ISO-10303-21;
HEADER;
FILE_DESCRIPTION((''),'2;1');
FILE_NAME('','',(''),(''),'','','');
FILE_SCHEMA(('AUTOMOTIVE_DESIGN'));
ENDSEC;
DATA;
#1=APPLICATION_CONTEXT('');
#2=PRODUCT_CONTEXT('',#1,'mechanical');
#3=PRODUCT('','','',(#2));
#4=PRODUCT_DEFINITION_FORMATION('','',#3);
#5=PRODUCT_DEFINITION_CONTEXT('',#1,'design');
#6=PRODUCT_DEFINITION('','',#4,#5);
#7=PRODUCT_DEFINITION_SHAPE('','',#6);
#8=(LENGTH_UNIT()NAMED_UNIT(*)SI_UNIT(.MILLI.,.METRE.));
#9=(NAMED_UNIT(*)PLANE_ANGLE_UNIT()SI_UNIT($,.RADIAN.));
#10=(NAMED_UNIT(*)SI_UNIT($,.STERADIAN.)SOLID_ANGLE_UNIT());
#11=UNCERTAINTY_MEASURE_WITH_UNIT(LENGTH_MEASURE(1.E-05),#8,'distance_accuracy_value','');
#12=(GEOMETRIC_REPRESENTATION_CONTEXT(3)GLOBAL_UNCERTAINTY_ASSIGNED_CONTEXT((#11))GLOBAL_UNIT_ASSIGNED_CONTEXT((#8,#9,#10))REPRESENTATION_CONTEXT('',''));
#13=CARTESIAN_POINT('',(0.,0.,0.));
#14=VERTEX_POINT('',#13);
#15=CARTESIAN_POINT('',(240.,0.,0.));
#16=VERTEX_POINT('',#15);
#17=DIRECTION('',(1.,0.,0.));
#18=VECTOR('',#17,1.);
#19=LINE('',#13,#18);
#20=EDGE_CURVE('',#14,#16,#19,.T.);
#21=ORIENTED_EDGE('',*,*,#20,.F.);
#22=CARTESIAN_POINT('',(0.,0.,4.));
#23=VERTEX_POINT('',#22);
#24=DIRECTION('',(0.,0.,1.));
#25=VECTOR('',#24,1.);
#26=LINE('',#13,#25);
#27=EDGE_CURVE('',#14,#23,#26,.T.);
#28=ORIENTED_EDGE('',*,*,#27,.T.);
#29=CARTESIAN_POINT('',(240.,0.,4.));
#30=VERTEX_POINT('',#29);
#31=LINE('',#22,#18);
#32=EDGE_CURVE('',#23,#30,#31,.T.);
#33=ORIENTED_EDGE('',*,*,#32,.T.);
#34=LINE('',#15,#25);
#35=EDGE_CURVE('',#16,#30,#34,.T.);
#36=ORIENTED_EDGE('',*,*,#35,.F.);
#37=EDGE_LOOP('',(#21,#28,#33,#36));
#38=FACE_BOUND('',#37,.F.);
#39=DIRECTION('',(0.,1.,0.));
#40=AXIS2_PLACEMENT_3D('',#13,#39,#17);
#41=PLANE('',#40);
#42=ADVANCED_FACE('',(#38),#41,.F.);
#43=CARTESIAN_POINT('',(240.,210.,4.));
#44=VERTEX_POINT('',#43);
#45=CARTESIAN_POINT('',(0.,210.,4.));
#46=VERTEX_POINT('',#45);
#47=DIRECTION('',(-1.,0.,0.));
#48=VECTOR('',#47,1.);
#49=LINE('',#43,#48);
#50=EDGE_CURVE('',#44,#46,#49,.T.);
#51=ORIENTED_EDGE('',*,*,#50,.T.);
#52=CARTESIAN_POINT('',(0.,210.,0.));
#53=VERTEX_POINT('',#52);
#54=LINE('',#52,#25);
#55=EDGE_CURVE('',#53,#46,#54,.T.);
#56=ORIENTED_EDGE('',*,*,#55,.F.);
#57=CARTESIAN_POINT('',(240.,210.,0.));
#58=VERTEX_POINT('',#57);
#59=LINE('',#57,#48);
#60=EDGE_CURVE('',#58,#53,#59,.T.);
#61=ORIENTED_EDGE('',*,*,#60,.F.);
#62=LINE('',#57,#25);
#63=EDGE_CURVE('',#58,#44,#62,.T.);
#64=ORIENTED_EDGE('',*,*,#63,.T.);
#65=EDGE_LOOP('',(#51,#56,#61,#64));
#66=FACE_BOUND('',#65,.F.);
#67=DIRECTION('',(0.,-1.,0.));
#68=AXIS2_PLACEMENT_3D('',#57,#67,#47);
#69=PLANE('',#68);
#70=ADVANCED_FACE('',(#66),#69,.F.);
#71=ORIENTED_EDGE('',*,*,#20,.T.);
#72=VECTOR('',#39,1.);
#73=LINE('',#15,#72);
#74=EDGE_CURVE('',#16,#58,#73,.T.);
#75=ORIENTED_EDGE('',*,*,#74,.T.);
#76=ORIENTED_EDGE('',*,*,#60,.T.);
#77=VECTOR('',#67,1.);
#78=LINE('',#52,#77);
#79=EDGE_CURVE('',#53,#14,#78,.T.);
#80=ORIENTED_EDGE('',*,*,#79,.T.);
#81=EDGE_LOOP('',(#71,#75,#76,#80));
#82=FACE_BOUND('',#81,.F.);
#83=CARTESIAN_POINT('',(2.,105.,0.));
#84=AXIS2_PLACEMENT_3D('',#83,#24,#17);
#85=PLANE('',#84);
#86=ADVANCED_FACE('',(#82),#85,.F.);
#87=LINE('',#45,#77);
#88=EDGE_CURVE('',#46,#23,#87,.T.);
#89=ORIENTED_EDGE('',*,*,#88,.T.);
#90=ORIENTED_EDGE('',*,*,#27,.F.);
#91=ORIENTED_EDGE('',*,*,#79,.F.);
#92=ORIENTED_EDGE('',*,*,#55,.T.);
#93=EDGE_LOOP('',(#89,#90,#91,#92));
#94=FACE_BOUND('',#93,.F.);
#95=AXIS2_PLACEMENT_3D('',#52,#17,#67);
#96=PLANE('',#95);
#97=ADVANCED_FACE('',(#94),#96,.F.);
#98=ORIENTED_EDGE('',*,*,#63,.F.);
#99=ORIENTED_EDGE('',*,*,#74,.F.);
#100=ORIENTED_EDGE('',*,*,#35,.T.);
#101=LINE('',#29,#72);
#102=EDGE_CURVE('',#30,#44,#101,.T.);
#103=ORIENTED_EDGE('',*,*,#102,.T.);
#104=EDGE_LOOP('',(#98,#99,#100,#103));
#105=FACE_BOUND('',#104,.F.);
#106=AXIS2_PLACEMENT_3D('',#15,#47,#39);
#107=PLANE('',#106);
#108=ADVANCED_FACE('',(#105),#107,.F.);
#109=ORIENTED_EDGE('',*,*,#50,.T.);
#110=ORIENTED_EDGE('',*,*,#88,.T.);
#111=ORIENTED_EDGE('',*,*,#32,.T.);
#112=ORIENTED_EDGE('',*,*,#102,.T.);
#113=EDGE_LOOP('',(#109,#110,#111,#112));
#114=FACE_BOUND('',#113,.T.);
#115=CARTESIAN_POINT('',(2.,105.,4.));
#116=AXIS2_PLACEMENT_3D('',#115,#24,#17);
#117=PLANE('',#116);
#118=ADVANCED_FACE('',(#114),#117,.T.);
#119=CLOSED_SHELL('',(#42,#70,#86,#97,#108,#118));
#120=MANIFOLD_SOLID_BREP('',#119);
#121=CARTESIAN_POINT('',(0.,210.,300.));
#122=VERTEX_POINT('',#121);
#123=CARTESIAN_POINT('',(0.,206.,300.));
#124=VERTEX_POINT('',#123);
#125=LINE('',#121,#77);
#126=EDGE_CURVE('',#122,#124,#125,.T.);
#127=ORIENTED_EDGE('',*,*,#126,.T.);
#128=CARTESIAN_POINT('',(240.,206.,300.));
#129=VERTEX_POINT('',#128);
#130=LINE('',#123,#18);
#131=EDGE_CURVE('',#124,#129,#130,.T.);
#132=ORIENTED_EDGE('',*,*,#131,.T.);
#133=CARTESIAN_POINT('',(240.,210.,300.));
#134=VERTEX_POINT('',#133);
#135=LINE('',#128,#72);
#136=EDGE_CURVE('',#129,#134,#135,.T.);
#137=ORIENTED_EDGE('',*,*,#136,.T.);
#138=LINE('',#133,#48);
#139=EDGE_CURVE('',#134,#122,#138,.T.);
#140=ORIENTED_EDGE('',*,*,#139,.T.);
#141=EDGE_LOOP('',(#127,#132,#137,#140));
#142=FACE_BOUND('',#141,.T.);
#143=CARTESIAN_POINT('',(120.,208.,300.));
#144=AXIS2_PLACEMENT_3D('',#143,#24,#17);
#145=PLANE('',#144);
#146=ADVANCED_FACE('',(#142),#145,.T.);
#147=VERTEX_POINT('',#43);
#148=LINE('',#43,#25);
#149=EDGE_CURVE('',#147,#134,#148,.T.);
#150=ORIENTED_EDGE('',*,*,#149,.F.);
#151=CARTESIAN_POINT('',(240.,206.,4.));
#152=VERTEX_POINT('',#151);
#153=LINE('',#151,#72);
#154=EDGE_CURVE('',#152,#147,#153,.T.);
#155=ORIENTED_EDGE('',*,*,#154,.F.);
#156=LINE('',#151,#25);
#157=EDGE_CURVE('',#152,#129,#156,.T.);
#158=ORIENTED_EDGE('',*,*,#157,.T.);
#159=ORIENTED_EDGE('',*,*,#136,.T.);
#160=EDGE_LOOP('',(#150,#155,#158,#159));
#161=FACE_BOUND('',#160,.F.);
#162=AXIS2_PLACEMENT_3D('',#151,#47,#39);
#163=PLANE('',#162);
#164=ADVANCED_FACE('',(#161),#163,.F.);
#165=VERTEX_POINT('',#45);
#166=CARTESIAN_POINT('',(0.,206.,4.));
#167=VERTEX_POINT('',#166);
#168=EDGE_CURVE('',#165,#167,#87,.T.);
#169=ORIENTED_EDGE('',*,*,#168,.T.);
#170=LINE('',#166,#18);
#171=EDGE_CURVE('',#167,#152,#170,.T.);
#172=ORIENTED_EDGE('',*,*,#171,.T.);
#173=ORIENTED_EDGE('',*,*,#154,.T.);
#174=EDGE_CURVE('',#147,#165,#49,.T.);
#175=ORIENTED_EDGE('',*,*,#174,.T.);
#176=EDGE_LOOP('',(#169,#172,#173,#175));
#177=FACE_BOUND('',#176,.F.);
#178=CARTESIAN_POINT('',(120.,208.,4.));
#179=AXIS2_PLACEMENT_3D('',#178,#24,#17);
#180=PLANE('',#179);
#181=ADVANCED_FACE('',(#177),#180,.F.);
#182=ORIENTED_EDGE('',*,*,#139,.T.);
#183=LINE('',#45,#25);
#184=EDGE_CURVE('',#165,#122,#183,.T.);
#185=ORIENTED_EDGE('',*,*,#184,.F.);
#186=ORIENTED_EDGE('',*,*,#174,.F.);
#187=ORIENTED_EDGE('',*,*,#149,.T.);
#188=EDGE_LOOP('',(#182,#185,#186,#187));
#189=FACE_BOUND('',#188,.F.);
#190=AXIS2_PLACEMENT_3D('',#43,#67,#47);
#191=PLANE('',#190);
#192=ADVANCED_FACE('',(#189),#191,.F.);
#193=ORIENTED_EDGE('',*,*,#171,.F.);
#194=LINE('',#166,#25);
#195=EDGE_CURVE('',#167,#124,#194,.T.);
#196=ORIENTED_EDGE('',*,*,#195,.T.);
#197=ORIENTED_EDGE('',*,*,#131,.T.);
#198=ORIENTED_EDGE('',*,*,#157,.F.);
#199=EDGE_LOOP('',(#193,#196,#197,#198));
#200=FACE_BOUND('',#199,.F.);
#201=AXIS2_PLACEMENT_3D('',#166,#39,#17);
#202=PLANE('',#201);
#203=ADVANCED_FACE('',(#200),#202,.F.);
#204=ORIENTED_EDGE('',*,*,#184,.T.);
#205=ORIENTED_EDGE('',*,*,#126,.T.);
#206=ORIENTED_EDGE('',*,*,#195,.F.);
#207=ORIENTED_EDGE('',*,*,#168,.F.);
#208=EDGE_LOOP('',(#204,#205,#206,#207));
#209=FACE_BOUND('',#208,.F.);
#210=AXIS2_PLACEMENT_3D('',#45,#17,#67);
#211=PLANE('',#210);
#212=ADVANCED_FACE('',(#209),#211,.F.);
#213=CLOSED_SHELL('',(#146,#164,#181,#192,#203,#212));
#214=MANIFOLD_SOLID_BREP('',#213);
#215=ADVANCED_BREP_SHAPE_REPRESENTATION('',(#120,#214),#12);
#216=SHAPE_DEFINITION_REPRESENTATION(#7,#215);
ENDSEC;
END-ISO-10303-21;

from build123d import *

# Parameters (mm, degrees)
F0_W     = 15
F0_H     = 172
F0_W_2   = 7
F0_H_2   = 15
F0_W_3   = 188
F1_DEPTH = 4
F2_START = 4
F2_DEPTH = 296


with BuildPart() as f1:
    # F0 (on Top) → F1 (new body)
    with BuildSketch(Plane.XY):
        Polygon((0, 206), (0, 4), (4, 4), (4, 19), (4, 191), (4, 206), align=None)
        Polygon((0, 210), (0, 206), (4, 206), (19, 206), (26, 206), (214, 206), (221, 206), (236, 206), (240, 206), (240, 210), align=None)
        Polygon((0, 4), (0, 0), (240, 0), (240, 4), (236, 4), (221, 4), (214, 4), (26, 4), (19, 4), (4, 4), align=None)
        with Locations((11.5, 105)):
            Rectangle(F0_W, F0_H)
        with Locations((228.5, 105)):
            Rectangle(F0_W, F0_H)
        with Locations((217.5, 11.5)):
            Rectangle(F0_W_2, F0_H_2)
        with Locations((120, 11.5)):
            Rectangle(F0_W_3, F0_H_2)
        Polygon((19, 191), (19, 19), (26, 19), (214, 19), (221, 19), (221, 191), (214, 191), (26, 191), align=None)
        Polygon((236, 4), (240, 4), (240, 206), (236, 206), (236, 191), (236, 19), align=None)
        with Locations((11.5, 11.5)):
            Rectangle(F0_W, F0_H_2)
        with Locations((22.5, 11.5)):
            Rectangle(F0_W_2, F0_H_2)
        with Locations((22.5, 198.5)):
            Rectangle(F0_W_2, F0_H_2)
        with Locations((11.5, 198.5)):
            Rectangle(F0_W, F0_H_2)
        with Locations((120, 198.5)):
            Rectangle(F0_W_3, F0_H_2)
        with Locations((228.5, 198.5)):
            Rectangle(F0_W, F0_H_2)
        with Locations((217.5, 198.5)):
            Rectangle(F0_W_2, F0_H_2)
        with Locations((228.5, 11.5)):
            Rectangle(F0_W, F0_H_2)
    extrude(amount=F1_DEPTH)


with BuildPart() as f2:
    # F0 (on Top) → F2 (new body)
    with BuildSketch(Plane.XY.offset(F2_START)):
        Polygon((0, 210), (0, 206), (4, 206), (19, 206), (26, 206), (214, 206), (221, 206), (236, 206), (240, 206), (240, 210), align=None)
    extrude(amount=F2_DEPTH)


solid = Compound([f1.part, f2.part])
